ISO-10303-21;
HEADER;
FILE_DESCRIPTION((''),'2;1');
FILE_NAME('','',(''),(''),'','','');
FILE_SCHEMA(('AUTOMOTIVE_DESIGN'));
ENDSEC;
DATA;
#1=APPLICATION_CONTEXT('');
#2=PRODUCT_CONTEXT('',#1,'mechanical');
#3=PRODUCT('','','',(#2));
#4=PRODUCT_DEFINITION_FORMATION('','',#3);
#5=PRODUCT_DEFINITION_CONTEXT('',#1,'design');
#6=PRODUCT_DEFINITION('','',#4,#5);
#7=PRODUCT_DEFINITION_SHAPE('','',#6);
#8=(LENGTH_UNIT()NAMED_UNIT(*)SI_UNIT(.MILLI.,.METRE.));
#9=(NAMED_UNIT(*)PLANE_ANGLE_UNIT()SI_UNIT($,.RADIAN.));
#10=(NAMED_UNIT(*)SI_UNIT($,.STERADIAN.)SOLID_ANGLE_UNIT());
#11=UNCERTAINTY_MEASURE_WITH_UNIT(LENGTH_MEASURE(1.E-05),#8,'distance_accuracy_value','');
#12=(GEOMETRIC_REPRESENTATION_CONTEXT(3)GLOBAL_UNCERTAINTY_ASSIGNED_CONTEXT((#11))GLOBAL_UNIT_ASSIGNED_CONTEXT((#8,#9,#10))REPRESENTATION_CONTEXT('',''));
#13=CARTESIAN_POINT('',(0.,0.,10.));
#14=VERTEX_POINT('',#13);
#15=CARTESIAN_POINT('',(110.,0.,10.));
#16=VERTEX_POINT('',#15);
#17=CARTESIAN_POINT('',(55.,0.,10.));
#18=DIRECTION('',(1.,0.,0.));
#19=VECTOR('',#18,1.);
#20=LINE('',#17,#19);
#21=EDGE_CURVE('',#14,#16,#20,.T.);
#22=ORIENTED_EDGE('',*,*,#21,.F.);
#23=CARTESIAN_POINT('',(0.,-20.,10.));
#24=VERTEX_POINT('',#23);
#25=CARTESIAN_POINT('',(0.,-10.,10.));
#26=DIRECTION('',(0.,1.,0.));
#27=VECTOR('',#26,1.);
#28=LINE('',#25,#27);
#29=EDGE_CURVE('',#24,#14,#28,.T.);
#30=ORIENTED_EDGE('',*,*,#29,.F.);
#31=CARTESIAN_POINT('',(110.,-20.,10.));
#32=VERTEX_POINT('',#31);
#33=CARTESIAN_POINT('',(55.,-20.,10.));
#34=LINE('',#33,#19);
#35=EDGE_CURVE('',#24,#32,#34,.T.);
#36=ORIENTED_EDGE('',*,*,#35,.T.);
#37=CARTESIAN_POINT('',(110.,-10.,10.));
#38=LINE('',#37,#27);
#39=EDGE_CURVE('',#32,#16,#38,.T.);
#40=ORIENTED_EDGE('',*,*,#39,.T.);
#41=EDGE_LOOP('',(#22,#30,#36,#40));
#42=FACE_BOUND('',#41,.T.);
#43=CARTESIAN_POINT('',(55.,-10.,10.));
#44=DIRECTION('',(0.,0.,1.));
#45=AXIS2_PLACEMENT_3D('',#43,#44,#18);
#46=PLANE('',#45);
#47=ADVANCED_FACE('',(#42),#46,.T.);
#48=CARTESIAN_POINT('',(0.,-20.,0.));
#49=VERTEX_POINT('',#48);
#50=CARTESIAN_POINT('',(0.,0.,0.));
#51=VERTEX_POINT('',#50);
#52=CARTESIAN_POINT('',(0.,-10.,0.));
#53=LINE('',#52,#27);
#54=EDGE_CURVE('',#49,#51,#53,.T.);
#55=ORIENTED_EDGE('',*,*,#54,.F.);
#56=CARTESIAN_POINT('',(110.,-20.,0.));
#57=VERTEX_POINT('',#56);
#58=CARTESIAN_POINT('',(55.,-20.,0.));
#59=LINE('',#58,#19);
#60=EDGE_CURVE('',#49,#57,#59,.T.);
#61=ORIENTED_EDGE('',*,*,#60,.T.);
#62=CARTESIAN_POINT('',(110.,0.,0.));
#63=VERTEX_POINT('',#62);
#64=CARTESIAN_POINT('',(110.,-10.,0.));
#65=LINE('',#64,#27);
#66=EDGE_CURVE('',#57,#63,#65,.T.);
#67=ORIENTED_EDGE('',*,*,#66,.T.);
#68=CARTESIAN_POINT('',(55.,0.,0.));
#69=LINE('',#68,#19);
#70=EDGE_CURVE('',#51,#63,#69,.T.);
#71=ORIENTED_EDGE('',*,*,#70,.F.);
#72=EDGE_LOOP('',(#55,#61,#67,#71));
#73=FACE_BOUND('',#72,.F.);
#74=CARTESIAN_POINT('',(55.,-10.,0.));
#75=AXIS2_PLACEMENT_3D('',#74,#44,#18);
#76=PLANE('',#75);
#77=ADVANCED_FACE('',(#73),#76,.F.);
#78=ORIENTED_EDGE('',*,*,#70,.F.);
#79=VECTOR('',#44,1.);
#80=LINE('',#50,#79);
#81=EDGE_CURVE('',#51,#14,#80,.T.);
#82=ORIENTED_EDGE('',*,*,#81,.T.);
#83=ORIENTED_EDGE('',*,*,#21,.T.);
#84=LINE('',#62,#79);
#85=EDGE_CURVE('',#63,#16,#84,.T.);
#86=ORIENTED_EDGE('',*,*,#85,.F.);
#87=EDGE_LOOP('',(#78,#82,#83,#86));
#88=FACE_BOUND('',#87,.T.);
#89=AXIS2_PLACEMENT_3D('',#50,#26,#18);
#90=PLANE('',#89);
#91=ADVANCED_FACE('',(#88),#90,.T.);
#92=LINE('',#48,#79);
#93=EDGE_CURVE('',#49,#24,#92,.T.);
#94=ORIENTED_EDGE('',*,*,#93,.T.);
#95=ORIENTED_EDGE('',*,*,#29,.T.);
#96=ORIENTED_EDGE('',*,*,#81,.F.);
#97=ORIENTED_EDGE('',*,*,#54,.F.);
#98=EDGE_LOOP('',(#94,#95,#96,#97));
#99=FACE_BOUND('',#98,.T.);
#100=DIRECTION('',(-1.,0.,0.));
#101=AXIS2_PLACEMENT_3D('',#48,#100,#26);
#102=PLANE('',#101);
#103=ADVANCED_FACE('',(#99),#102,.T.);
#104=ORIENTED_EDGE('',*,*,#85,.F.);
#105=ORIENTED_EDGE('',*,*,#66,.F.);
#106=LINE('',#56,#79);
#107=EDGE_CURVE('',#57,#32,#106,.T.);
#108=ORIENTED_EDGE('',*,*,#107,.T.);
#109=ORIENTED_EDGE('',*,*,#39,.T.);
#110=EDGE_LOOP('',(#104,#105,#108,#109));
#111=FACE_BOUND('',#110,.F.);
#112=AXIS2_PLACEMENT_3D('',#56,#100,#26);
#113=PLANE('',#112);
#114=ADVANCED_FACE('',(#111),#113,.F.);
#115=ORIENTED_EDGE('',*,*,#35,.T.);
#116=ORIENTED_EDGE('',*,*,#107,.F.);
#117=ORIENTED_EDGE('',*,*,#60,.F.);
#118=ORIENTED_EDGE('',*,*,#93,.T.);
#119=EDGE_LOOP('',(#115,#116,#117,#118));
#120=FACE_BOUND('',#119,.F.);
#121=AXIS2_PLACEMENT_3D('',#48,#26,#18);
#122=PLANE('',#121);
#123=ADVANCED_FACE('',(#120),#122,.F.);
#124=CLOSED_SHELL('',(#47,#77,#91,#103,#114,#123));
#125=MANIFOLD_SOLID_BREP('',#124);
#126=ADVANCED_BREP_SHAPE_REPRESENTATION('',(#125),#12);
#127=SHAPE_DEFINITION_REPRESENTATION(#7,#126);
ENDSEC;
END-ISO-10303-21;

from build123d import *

# Parameters (mm, degrees)
SKETCH_1_W      = 110
SKETCH_1_H      = 20
EXTRUDE_1_DEPTH = 10


with BuildPart() as part:
    # 스케치1 → 보스-돌출1 (new body)
    with BuildSketch(Plane.XY):
        with Locations((55, -10)):
            Rectangle(SKETCH_1_W, SKETCH_1_H)
    extrude(amount=EXTRUDE_1_DEPTH)


solid = part.part
